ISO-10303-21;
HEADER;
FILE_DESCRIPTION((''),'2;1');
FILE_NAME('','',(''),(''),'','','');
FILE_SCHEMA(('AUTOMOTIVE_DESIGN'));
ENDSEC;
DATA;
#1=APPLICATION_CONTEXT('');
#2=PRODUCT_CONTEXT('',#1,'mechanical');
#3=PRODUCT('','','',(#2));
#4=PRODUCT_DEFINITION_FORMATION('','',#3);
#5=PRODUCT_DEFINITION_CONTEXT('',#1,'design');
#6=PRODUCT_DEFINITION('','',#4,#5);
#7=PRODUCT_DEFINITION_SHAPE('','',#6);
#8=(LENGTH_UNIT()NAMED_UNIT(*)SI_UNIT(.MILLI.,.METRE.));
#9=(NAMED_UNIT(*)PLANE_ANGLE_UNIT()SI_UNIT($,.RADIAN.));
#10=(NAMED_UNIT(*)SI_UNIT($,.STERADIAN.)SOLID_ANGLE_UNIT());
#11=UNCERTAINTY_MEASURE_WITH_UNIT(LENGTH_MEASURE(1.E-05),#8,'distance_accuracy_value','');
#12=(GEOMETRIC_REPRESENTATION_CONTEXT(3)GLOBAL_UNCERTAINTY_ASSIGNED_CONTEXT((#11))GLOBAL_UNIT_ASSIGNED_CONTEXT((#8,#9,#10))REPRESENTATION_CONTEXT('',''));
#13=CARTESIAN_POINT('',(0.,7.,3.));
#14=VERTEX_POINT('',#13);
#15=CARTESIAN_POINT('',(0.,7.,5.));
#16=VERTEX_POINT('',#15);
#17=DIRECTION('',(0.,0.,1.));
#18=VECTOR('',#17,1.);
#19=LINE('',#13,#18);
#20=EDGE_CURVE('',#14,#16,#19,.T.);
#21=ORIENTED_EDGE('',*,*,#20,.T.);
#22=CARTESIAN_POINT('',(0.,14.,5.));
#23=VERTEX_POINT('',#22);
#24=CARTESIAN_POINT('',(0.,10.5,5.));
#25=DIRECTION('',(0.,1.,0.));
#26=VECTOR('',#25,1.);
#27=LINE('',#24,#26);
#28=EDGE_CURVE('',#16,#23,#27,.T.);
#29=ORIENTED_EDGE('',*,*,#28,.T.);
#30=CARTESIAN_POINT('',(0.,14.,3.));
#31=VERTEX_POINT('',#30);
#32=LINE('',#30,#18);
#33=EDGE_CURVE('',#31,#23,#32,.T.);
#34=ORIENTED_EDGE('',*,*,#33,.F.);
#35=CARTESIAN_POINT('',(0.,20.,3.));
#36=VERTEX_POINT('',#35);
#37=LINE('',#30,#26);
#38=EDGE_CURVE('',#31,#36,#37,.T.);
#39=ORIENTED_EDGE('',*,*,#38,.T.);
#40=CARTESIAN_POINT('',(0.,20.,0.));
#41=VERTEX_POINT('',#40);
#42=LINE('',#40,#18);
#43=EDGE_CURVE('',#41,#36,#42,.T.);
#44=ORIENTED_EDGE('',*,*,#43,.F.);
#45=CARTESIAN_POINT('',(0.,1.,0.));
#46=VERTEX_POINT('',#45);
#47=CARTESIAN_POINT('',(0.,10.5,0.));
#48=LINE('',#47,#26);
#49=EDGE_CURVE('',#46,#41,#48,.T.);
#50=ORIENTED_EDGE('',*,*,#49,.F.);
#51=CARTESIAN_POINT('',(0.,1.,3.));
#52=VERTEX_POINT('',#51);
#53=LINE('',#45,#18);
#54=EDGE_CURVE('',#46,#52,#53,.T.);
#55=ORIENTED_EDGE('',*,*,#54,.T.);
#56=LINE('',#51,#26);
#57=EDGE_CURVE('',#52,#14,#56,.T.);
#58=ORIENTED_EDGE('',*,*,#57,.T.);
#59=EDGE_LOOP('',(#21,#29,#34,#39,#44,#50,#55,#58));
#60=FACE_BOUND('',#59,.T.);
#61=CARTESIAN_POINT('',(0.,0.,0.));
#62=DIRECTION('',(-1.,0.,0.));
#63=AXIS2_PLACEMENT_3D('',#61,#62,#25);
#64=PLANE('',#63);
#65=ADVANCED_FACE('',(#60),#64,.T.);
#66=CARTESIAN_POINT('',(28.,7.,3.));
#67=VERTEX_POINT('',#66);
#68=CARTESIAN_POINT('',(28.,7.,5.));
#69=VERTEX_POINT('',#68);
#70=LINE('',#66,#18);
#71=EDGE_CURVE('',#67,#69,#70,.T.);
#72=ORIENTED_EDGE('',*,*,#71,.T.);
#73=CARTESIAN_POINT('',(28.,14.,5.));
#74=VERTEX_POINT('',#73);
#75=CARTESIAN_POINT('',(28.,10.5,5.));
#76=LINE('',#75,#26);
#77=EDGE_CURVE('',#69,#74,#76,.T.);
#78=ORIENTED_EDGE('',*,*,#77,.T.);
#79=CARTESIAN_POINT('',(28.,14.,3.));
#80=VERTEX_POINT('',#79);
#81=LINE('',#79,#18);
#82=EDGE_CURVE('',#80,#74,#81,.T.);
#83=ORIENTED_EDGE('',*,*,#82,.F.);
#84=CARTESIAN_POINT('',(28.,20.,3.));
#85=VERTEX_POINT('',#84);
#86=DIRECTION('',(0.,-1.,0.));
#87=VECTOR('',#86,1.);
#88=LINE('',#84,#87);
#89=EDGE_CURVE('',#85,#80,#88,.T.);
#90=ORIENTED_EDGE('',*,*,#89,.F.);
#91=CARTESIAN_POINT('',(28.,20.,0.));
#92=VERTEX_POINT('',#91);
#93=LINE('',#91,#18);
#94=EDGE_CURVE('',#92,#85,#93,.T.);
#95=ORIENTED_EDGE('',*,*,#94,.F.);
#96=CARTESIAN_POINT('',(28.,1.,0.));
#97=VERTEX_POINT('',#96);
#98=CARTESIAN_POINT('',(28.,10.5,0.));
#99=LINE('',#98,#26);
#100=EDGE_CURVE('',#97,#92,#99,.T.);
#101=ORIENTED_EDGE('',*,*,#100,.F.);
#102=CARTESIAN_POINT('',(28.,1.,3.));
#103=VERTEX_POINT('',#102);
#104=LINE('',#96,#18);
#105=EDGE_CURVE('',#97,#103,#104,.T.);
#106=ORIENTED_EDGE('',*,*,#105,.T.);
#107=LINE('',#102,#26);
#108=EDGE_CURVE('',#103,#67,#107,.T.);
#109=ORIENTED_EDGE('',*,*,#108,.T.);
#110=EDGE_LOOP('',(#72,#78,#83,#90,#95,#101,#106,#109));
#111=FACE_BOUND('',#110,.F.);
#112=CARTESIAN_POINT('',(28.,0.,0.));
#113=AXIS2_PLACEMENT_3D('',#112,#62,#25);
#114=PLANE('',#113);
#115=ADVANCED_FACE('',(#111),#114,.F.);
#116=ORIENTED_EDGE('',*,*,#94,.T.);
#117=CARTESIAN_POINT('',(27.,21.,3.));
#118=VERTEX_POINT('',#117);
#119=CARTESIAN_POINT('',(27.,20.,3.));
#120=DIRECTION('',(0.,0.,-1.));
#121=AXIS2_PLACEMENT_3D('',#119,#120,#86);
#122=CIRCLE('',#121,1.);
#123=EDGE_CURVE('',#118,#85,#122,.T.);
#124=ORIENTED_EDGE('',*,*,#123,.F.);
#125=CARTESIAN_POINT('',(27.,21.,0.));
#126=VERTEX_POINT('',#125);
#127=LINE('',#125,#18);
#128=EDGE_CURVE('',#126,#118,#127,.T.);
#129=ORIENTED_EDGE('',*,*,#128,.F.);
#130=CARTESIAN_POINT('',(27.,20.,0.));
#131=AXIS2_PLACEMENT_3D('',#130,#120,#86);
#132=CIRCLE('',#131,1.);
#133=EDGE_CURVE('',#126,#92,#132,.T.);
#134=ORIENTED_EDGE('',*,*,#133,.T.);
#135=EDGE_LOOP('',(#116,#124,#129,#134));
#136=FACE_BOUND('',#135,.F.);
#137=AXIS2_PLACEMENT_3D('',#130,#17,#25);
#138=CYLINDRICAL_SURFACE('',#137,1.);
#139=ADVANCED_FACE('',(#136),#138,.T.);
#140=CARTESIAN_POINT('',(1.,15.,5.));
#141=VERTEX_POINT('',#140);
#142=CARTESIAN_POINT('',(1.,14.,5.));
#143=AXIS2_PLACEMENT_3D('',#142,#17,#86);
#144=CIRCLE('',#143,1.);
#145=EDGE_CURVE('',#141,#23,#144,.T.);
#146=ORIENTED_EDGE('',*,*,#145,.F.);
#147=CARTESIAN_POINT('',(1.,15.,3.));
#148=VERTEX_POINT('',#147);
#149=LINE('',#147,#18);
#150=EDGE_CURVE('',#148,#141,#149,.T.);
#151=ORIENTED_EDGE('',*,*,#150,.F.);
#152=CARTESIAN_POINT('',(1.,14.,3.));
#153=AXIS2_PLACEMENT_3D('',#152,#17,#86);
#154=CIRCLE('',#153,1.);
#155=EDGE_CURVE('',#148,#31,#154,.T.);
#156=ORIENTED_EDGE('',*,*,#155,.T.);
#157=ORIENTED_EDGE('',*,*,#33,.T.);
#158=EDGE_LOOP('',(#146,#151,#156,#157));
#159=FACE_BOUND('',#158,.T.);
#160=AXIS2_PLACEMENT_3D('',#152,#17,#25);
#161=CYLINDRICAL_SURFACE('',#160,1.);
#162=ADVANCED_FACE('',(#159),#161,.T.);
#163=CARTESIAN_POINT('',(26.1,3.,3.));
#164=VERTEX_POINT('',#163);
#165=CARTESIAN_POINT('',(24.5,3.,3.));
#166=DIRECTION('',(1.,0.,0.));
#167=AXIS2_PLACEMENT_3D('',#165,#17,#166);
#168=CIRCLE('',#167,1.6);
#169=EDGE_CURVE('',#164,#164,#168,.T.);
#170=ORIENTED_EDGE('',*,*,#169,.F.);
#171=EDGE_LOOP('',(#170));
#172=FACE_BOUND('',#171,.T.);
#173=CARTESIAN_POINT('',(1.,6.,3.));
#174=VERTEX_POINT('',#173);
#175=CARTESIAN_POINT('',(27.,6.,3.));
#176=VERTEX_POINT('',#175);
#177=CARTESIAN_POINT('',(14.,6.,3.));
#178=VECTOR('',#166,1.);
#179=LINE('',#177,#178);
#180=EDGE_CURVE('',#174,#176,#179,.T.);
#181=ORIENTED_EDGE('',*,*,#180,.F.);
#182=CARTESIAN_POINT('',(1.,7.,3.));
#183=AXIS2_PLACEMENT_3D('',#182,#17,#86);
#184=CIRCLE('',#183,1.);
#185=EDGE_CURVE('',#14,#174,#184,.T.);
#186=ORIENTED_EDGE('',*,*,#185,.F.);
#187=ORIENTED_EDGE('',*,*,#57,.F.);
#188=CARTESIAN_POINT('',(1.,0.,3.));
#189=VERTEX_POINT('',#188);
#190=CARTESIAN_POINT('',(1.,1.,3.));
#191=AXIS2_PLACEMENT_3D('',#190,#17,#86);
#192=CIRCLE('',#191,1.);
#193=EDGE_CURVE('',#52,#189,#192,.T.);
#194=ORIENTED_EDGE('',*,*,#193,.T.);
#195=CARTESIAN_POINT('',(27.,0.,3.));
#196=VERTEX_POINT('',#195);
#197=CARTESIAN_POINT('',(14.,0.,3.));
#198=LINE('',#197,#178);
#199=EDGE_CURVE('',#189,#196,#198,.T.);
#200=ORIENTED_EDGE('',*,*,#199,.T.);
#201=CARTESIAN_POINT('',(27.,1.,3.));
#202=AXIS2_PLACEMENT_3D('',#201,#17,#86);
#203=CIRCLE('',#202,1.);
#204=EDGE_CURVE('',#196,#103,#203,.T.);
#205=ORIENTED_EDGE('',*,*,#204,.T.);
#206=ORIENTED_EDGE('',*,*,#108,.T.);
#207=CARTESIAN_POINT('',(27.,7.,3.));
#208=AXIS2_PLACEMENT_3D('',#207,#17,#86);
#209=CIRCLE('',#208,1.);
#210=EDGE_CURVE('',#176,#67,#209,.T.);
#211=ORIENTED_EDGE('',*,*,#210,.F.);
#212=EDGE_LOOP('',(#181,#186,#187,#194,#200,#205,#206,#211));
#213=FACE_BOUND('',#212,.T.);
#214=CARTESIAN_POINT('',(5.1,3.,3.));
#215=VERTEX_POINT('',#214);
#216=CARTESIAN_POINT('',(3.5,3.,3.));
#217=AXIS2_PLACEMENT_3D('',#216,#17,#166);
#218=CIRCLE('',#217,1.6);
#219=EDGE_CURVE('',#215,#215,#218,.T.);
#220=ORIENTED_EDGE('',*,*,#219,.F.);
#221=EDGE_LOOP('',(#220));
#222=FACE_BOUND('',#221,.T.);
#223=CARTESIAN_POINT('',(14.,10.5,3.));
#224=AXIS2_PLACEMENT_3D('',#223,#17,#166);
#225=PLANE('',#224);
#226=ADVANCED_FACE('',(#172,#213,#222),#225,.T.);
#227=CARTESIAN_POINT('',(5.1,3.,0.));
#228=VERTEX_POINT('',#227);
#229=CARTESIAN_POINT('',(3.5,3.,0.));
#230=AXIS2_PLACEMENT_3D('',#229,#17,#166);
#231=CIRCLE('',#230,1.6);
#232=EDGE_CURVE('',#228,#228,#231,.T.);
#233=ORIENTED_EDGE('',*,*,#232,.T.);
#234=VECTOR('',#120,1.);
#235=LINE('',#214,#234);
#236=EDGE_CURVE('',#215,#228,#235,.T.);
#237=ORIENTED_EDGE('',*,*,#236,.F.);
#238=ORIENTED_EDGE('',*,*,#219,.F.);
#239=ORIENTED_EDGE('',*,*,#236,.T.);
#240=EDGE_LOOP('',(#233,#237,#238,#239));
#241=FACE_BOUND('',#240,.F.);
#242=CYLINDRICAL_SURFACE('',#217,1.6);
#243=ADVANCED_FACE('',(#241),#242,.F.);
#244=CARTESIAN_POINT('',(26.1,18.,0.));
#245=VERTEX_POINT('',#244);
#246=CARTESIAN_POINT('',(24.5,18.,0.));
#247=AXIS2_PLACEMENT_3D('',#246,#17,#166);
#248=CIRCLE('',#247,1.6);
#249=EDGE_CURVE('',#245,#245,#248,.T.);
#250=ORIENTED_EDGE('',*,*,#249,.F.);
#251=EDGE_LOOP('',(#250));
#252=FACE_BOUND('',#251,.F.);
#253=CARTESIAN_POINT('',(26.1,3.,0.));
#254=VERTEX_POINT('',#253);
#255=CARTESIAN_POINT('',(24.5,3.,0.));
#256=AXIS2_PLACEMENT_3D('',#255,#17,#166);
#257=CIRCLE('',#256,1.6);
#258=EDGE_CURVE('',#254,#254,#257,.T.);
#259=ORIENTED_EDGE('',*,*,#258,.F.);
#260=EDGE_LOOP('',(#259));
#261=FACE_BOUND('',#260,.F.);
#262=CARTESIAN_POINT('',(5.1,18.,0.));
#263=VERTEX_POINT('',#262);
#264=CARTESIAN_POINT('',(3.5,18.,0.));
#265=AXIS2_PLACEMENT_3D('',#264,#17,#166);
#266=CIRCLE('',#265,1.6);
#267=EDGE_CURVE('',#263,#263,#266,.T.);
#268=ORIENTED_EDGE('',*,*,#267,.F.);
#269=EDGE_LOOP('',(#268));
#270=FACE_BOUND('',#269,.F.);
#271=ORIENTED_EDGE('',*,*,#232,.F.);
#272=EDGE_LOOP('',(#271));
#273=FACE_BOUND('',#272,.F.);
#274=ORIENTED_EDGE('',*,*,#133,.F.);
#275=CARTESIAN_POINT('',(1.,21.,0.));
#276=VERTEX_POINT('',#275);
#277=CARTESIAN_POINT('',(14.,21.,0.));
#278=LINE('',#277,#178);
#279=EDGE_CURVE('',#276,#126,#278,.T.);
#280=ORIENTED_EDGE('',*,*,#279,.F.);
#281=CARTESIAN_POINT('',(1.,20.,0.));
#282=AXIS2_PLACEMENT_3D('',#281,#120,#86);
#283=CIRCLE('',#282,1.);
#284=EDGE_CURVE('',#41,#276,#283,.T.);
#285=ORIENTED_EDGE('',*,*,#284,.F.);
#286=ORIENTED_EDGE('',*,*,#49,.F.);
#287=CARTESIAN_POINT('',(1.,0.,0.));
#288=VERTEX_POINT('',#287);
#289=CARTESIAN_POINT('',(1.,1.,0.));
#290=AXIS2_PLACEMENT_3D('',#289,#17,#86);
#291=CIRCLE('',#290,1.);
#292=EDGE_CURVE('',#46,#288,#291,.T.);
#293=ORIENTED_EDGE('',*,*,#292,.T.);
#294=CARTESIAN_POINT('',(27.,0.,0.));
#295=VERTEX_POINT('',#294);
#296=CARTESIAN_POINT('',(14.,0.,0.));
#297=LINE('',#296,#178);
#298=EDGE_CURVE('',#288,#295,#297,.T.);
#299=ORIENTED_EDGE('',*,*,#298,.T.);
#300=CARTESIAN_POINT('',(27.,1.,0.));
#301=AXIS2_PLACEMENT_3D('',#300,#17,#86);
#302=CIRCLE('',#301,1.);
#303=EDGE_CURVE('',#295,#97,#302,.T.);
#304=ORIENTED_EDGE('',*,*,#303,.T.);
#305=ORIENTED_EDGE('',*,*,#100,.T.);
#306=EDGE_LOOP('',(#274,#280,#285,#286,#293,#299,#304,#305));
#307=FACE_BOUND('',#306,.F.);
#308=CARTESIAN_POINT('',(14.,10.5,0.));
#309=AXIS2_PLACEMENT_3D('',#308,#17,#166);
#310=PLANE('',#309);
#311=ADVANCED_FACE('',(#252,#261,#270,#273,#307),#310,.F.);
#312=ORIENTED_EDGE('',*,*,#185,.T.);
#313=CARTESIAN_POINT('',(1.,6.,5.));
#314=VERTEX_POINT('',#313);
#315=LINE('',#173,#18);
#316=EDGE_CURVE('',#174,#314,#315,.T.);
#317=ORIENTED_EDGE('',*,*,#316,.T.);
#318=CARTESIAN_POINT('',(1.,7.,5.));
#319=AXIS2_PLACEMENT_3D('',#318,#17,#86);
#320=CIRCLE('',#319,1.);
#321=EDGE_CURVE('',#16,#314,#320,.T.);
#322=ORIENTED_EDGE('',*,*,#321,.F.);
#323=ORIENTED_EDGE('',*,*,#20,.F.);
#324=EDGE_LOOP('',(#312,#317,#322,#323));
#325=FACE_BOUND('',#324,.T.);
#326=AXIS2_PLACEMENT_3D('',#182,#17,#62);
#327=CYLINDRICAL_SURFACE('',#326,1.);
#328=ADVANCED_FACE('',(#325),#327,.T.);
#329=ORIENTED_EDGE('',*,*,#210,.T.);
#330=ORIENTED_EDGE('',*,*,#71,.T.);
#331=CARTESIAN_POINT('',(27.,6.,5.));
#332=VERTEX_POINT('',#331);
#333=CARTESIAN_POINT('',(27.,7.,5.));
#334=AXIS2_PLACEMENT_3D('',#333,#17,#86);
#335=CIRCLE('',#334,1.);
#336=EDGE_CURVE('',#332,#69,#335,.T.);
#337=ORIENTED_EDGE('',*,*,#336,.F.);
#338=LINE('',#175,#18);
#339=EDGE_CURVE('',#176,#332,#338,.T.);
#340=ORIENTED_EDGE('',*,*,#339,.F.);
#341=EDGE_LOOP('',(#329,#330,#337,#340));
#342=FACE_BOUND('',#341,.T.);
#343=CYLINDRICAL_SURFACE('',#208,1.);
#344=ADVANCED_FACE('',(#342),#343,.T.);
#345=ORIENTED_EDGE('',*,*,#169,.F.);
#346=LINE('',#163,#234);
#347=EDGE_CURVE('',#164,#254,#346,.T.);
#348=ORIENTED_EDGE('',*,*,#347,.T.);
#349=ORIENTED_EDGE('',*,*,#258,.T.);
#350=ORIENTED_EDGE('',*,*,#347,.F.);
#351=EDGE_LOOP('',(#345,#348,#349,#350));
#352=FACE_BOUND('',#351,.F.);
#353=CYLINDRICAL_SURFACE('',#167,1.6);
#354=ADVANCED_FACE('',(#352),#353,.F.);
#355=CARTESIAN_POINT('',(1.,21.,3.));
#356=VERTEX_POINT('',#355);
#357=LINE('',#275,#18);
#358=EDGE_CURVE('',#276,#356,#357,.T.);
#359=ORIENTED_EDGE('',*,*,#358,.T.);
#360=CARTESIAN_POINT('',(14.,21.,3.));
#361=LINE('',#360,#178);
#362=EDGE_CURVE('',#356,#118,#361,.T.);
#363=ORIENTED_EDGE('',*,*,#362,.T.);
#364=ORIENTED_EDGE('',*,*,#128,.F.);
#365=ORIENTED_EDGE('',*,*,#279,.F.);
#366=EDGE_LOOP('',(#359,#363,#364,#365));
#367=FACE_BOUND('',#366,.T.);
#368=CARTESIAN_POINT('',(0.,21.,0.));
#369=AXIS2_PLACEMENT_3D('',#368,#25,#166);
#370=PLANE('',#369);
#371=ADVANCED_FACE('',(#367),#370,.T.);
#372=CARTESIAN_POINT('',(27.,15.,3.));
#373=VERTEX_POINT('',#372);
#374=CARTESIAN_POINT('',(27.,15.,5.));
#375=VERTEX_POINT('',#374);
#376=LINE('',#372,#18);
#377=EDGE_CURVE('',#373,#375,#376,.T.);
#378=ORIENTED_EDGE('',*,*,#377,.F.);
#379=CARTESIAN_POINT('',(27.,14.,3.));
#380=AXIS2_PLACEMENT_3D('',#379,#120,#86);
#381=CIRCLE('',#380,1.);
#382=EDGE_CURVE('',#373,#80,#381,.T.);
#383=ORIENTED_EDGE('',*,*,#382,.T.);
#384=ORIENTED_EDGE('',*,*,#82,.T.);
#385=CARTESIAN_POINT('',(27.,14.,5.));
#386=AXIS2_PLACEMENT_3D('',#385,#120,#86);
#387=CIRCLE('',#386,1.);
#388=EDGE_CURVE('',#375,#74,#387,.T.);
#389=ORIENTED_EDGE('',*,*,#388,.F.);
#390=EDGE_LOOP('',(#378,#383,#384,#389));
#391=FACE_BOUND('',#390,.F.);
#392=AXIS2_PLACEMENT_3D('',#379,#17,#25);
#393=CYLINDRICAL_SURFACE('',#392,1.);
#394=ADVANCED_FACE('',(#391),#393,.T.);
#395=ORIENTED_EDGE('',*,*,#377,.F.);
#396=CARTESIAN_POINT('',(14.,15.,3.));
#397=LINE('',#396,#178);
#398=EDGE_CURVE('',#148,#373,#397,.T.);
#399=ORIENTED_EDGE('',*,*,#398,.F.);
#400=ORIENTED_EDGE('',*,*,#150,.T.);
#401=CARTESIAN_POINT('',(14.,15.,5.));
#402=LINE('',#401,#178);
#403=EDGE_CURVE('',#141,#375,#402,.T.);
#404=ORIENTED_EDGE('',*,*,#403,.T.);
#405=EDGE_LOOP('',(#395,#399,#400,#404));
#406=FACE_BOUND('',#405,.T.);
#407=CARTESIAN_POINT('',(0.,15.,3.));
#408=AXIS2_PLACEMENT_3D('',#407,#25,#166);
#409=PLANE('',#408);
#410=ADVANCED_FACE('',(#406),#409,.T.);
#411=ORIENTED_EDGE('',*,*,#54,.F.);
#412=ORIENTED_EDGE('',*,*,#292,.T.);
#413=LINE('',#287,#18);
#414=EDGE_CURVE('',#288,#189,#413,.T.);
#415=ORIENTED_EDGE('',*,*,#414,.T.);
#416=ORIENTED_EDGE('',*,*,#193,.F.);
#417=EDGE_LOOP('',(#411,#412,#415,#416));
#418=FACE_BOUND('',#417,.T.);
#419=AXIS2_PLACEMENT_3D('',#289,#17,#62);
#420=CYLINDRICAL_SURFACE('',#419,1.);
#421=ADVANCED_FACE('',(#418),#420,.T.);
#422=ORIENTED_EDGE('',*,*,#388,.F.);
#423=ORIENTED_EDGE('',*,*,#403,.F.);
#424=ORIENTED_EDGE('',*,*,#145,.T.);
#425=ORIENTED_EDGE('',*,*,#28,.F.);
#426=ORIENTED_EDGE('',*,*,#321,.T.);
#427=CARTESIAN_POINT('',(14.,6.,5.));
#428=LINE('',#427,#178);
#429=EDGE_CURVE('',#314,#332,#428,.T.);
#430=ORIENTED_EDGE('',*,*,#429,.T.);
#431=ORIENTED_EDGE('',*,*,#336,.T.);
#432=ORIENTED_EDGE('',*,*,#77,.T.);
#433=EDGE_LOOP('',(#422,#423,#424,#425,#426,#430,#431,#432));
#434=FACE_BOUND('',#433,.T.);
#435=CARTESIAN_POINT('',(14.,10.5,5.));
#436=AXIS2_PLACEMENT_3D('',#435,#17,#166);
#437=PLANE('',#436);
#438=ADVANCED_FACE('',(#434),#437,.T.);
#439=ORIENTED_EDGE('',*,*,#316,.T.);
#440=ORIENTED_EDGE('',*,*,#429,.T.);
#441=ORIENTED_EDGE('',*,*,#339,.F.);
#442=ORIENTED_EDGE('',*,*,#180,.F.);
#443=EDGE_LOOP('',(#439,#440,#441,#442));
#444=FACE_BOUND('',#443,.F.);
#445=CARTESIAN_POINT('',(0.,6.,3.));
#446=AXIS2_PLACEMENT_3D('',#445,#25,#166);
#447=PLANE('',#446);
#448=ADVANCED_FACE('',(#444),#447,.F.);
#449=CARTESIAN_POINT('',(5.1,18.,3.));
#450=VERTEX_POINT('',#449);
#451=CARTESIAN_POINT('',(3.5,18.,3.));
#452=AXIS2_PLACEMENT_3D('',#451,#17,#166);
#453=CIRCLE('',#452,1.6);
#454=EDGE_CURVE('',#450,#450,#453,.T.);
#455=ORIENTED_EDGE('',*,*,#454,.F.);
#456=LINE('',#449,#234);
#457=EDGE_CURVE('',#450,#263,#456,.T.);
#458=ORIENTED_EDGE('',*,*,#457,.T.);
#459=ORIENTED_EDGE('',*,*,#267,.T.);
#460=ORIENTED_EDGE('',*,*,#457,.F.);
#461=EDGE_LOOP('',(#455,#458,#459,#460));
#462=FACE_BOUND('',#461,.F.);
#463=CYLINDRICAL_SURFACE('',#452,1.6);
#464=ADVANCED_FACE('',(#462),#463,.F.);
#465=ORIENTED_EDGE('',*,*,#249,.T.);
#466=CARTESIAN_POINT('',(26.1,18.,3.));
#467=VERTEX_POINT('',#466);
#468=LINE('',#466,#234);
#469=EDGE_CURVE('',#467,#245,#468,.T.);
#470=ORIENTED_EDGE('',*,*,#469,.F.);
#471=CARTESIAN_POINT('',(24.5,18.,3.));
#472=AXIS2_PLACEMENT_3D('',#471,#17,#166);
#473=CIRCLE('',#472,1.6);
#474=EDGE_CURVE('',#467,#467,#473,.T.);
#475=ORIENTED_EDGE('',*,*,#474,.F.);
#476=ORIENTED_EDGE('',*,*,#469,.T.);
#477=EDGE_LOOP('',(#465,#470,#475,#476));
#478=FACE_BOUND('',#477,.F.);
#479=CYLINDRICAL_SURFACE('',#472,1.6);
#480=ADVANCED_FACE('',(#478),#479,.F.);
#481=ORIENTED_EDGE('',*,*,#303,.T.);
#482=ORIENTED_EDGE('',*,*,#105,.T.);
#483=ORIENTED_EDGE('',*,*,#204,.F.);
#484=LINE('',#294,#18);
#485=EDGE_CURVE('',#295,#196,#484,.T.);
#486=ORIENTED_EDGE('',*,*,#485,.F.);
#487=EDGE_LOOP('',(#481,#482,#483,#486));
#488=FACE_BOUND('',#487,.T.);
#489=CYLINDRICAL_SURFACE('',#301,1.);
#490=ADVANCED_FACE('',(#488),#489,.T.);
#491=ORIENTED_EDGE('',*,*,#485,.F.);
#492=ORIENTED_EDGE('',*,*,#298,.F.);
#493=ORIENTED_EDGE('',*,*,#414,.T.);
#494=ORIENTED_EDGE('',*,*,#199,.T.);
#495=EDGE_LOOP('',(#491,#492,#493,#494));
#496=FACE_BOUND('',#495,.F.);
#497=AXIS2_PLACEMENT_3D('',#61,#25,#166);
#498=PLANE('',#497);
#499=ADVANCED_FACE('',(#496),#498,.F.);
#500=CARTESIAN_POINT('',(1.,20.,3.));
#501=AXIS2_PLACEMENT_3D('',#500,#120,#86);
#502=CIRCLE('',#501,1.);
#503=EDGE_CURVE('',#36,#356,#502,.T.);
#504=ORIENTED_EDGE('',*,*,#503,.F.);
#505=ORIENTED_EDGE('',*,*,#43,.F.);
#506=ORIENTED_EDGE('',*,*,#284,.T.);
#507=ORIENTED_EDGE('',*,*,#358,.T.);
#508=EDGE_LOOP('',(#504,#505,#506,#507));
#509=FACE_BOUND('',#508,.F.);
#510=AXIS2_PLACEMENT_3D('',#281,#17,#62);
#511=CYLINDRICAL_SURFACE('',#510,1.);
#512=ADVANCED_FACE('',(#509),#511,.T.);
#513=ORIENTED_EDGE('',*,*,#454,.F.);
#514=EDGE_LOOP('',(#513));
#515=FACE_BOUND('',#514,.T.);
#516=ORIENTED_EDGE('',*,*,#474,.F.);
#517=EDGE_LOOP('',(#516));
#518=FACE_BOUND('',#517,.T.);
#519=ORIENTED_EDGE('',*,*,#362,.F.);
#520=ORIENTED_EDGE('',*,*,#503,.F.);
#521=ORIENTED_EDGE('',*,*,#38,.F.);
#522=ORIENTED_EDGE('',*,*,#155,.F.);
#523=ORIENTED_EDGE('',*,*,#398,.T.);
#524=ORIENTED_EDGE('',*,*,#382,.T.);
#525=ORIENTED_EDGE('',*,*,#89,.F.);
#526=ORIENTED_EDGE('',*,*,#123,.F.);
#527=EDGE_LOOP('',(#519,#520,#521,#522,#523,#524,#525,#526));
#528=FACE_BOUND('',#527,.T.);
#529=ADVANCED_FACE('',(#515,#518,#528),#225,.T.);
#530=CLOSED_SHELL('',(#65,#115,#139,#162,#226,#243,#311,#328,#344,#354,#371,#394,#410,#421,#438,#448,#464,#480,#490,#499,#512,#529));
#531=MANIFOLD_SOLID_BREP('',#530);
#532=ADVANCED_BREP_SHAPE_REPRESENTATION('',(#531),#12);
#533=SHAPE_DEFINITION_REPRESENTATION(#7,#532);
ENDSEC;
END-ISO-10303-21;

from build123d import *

# Parameters (mm, degrees)
SKETCH_W     = 28
SKETCH_H     = 21
PAD_DEPTH    = 3
SKETCH001_W  = 28
SKETCH001_H  = 9
PAD001_DEPTH = 2
SKETCH002_R  = 1.6
POCKET_DEPTH = 3.001
FILLET_R     = 1
FILLET001_R  = 1
FILLET002_R  = 1
FILLET003_R  = 1


with BuildPart() as part:
    # Sketch → Pad (new body)
    with BuildSketch(Plane.XY):
        with Locations((14, 10.5)):
            Rectangle(SKETCH_W, SKETCH_H)
    extrude(amount=PAD_DEPTH)

    # Sketch001 (on Face6 of Pad) → Pad001 (join)
    with BuildSketch(Plane.XY.offset(3)):
        with Locations((14, 10.5)):
            Rectangle(SKETCH001_W, SKETCH001_H)
    extrude(amount=PAD001_DEPTH)

    # Sketch002 (on Face5 of Pad001) → Pocket (cut, through all)
    with BuildSketch(Plane.XY.offset(3)):
        with Locations((3.5, 3)):
            Circle(SKETCH002_R)
        with Locations((24.5, 3)):
            Circle(SKETCH002_R)
        with Locations((3.5, 18)):
            Circle(SKETCH002_R)
        with Locations((24.5, 18)):
            Circle(SKETCH002_R)
    extrude(amount=-POCKET_DEPTH, mode=Mode.SUBTRACT)

    # Fillet
    fillet_edges = [part.edges().sort_by_distance(p)[0] for p in [
        (28, 0, 1.5),
        (28, 21, 1.5),
        (0, 0, 1.5),
        (0, 21, 1.5),
    ]]
    fillet(fillet_edges, radius=FILLET_R)

    # Fillet001
    fillet001_edges = [part.edges().sort_by_distance(p)[0] for p in [
        (0, 6, 4),
    ]]
    fillet(fillet001_edges, radius=FILLET001_R)

    # Fillet002
    fillet002_edges = [part.edges().sort_by_distance(p)[0] for p in [
        (28, 6, 4),
    ]]
    fillet(fillet002_edges, radius=FILLET002_R)

    # Fillet003
    fillet003_edges = [part.edges().sort_by_distance(p)[0] for p in [
        (0, 15, 4),
        (28, 15, 4),
    ]]
    fillet(fillet003_edges, radius=FILLET003_R)


solid = part.part
